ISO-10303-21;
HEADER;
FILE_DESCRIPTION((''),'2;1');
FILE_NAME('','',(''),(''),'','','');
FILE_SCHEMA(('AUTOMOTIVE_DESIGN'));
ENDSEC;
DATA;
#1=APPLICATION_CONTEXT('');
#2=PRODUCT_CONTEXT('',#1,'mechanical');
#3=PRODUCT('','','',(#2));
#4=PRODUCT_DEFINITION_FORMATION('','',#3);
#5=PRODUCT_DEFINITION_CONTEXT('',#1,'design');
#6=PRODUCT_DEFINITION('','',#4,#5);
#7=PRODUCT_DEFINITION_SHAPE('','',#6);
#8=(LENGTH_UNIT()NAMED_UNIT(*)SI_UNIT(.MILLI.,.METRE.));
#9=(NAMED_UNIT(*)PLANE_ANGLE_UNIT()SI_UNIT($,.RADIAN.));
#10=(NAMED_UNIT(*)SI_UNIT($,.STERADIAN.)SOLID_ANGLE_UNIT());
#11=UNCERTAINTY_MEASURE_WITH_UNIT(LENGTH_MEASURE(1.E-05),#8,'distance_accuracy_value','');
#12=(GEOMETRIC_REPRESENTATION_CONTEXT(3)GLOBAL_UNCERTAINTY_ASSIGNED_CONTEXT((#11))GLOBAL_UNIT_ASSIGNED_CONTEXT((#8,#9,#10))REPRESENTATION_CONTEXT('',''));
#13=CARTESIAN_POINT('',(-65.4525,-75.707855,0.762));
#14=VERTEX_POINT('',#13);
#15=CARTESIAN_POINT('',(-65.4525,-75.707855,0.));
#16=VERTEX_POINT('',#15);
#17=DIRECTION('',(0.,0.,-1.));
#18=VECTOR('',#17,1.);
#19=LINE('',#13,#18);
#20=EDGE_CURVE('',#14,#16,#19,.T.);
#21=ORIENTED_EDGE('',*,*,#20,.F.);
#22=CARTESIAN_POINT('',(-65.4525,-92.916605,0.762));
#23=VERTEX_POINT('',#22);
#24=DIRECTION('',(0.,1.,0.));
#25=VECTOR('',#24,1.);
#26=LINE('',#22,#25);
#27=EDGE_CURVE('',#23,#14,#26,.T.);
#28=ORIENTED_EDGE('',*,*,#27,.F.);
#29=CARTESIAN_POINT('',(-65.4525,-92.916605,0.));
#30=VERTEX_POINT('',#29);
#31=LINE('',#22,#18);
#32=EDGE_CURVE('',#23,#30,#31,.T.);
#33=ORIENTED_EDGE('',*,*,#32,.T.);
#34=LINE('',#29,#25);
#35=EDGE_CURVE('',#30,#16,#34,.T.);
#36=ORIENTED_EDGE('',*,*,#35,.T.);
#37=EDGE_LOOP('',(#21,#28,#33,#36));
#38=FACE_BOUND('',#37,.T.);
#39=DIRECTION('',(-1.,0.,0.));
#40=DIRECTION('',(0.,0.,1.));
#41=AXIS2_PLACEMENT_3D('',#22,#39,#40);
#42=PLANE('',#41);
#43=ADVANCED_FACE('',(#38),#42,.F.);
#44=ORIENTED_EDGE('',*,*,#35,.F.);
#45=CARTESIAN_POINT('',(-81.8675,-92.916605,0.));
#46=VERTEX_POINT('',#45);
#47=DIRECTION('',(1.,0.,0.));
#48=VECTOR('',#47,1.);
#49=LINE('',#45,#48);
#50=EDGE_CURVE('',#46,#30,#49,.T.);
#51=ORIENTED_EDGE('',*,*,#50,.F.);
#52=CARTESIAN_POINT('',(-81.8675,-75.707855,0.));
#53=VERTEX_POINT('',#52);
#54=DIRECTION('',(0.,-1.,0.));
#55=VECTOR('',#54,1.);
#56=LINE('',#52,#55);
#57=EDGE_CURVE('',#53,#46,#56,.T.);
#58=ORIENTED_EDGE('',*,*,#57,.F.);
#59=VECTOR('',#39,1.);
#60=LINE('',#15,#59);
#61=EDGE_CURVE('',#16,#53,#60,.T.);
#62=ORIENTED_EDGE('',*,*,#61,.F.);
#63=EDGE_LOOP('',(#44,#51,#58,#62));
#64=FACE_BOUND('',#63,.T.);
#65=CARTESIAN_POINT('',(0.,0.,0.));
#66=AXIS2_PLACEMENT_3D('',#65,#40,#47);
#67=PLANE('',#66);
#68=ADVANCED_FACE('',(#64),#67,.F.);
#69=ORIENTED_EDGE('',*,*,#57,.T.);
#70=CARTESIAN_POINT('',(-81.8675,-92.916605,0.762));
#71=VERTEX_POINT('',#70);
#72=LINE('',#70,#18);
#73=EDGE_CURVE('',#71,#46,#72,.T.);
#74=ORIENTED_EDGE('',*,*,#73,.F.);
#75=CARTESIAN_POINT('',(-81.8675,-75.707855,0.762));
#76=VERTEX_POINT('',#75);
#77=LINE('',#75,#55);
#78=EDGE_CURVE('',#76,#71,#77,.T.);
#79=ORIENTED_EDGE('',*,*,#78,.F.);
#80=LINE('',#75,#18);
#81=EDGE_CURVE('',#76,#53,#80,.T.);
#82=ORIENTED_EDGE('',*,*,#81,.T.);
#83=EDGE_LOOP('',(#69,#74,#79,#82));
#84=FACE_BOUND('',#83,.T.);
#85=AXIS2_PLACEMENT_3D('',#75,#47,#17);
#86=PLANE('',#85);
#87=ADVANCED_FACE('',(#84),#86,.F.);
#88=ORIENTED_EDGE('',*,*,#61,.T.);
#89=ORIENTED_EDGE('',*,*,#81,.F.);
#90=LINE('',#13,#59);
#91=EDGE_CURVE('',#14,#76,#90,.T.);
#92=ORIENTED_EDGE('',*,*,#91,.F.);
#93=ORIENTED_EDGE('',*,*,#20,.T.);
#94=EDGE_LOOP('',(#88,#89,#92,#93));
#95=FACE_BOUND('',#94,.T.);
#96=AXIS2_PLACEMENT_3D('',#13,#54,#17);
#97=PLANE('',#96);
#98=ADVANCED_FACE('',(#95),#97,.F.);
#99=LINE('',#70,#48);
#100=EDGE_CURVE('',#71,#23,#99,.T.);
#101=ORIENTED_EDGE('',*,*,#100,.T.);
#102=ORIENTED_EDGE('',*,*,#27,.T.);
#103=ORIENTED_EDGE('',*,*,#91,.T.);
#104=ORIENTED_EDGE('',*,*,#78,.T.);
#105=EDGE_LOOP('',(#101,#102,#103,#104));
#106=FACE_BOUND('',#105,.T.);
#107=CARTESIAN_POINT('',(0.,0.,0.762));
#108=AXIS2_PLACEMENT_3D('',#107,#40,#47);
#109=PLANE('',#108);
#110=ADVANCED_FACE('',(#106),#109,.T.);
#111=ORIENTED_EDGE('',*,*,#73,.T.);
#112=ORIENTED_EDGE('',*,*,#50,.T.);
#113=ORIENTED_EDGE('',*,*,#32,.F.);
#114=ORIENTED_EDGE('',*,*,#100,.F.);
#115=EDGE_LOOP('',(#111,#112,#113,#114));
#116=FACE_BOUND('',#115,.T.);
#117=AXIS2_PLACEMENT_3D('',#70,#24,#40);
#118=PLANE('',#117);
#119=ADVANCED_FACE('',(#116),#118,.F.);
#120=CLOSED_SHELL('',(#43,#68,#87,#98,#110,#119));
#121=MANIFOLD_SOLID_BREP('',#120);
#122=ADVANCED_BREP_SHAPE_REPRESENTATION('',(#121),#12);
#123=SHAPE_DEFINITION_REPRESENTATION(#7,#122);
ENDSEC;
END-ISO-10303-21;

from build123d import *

# Parameters (mm, degrees)
SKETCH1_W           = 16.415
SKETCH1_H           = 17.20875
BOSS_EXTRUDE1_DEPTH = 0.762


with BuildPart() as part:
    # Sketch1 → Boss-Extrude1 (new body)
    with BuildSketch(Plane.XY):
        with Locations((-73.66, -84.3122297)):
            Rectangle(SKETCH1_W, SKETCH1_H)
    extrude(amount=BOSS_EXTRUDE1_DEPTH)


solid = part.part
